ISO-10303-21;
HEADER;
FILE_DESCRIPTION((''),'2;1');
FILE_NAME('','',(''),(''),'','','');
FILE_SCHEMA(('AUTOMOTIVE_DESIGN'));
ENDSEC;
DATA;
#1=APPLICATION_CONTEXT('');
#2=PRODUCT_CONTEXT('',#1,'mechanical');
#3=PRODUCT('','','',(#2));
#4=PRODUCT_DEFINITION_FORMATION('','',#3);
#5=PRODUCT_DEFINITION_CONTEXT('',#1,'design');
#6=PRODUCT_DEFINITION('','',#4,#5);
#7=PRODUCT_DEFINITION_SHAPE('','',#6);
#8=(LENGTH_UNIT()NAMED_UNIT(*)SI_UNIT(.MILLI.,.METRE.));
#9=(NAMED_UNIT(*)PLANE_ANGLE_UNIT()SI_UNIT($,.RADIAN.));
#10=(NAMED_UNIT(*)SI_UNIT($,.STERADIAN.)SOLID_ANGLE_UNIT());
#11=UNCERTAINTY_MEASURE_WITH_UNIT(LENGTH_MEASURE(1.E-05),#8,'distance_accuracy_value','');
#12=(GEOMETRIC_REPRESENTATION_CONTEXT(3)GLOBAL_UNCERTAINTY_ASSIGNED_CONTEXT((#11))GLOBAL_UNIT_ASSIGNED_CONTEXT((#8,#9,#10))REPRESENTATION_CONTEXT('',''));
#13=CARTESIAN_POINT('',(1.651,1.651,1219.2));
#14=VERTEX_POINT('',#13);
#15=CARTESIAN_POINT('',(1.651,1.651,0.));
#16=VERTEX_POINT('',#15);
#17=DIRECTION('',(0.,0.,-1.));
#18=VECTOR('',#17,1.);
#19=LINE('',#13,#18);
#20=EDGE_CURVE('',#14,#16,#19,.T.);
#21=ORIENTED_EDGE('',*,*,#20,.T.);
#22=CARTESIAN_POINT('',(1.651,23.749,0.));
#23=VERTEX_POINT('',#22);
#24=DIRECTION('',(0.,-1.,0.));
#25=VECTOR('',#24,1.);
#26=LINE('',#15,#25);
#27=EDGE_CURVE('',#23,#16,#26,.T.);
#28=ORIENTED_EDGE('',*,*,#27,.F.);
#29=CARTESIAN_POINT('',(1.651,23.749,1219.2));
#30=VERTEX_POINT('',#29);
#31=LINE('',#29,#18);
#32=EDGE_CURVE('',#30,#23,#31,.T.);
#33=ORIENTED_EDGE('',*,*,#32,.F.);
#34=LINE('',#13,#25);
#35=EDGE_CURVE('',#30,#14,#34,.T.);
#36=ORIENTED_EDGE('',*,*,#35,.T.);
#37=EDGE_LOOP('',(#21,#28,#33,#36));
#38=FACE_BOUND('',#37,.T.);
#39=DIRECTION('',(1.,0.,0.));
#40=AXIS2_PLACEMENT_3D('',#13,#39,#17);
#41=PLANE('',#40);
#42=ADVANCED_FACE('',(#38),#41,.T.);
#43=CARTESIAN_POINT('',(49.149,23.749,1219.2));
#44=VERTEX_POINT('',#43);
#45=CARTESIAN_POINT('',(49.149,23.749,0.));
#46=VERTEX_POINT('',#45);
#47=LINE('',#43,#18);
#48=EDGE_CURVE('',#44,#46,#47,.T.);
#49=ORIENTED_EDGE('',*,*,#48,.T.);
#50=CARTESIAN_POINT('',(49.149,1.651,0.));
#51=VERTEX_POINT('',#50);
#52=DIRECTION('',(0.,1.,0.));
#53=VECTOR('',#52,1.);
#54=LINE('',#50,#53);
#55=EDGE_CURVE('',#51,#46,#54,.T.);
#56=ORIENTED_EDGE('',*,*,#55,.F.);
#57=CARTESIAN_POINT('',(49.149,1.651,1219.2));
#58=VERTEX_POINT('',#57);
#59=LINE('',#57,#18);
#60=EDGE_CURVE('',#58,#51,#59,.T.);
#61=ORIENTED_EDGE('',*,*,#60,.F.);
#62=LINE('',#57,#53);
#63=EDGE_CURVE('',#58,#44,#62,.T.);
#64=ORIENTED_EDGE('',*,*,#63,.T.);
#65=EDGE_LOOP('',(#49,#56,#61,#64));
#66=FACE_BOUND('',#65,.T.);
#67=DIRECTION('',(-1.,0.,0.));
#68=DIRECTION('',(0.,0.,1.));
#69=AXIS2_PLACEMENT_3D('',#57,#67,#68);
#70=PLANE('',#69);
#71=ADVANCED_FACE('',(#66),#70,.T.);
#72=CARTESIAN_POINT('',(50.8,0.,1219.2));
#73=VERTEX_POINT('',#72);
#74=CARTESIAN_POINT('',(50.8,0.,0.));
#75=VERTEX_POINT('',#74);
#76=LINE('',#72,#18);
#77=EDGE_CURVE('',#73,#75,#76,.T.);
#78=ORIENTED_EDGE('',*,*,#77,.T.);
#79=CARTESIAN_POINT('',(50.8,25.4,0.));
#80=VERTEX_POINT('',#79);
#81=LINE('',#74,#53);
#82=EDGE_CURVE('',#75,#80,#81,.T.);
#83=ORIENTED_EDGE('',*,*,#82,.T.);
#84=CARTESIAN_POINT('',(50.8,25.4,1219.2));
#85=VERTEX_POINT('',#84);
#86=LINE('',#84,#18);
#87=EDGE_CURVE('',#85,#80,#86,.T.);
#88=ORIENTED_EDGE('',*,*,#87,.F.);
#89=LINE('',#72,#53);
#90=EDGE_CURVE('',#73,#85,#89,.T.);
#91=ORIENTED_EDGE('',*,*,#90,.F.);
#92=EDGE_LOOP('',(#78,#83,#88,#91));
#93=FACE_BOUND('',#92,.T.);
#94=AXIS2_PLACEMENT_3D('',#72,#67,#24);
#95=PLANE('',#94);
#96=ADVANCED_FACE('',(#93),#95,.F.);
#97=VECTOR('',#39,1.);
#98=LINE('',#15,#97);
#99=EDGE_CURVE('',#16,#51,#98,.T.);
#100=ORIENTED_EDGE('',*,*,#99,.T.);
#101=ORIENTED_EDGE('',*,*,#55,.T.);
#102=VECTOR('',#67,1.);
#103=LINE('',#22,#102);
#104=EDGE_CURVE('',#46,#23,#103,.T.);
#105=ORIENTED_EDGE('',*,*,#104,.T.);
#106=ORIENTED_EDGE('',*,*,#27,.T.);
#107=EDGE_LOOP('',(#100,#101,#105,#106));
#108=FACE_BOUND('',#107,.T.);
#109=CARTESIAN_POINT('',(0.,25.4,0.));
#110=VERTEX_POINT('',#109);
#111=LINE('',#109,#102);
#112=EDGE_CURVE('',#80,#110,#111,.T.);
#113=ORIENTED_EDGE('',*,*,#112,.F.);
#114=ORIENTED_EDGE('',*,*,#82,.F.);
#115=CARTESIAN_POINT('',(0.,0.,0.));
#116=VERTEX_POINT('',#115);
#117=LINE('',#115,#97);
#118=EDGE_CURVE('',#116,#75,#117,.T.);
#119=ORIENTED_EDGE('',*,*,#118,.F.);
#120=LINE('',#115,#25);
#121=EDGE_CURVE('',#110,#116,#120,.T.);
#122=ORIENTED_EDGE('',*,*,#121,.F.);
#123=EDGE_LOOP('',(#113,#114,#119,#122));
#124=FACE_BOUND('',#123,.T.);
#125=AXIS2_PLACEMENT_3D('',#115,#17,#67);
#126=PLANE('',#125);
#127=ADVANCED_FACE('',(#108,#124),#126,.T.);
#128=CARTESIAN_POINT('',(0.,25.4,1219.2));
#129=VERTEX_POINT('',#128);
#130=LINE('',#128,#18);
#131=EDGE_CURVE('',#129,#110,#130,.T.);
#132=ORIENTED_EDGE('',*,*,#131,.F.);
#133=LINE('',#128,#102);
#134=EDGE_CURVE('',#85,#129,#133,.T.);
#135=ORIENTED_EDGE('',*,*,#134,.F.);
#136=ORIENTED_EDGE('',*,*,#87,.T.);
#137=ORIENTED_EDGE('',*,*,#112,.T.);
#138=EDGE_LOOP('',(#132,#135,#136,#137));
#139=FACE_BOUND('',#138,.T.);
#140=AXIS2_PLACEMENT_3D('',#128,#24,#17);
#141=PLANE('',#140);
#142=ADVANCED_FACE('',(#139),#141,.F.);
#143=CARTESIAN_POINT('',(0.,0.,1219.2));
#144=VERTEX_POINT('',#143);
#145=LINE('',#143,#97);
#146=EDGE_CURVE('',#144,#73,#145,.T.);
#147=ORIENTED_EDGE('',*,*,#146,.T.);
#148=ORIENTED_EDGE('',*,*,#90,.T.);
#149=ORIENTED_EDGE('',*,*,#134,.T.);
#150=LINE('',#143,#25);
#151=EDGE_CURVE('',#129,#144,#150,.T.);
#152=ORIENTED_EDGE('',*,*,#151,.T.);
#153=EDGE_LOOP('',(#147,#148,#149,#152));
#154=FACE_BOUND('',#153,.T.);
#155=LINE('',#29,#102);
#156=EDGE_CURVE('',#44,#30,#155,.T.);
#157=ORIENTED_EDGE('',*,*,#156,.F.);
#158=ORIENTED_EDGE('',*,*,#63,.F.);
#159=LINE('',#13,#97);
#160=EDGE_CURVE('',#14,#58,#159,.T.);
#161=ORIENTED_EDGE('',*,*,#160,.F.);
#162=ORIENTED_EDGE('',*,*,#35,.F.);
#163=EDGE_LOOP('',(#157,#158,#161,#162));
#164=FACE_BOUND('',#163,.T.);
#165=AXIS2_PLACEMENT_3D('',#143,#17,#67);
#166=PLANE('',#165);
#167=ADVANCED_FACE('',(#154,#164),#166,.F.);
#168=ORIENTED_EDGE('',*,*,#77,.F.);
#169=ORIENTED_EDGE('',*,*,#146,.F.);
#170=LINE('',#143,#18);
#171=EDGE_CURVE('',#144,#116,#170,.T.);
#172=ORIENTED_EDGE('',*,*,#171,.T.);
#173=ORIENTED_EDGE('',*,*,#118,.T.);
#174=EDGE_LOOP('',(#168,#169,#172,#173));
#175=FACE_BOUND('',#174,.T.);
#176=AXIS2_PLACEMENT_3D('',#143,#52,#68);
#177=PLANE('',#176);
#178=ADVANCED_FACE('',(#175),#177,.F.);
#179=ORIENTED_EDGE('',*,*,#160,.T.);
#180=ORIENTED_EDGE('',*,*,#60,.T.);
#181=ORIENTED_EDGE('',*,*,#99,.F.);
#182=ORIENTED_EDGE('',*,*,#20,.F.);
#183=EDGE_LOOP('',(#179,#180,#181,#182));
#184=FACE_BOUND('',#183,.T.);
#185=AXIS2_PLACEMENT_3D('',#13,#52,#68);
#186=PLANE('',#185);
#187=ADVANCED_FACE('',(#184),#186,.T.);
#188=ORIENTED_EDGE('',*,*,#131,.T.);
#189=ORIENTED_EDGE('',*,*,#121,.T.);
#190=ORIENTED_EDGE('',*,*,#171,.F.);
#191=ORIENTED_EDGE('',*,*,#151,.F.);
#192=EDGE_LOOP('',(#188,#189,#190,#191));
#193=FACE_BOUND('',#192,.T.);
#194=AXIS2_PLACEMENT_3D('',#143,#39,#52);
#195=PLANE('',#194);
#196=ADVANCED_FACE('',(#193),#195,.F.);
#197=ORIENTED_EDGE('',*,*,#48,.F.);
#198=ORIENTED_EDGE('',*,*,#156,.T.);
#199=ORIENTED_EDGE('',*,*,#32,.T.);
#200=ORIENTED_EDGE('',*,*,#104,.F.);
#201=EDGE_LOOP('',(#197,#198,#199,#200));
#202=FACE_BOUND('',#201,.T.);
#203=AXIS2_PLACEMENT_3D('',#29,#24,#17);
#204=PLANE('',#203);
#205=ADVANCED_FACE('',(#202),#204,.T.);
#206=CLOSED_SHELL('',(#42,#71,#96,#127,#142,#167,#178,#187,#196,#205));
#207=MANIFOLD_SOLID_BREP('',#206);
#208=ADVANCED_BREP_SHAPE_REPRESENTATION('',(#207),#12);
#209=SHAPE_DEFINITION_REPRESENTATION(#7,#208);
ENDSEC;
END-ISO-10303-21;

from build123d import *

# Parameters (mm, degrees)
SKETCH1_W           = 50.8
SKETCH1_H           = 25.4
SKETCH1_W_2         = 47.498
SKETCH1_H_2         = 22.098
BOSS_EXTRUDE1_DEPTH = 1219.2


with BuildPart() as part:
    # Sketch1 → Boss-Extrude1 (new body)
    with BuildSketch(Plane.XY):
        with Locations((25.4, 12.7)):
            Rectangle(SKETCH1_W, SKETCH1_H)
        with Locations((25.4, 12.7)):
            Rectangle(SKETCH1_W_2, SKETCH1_H_2, mode=Mode.SUBTRACT)
    extrude(amount=BOSS_EXTRUDE1_DEPTH)


solid = part.part
